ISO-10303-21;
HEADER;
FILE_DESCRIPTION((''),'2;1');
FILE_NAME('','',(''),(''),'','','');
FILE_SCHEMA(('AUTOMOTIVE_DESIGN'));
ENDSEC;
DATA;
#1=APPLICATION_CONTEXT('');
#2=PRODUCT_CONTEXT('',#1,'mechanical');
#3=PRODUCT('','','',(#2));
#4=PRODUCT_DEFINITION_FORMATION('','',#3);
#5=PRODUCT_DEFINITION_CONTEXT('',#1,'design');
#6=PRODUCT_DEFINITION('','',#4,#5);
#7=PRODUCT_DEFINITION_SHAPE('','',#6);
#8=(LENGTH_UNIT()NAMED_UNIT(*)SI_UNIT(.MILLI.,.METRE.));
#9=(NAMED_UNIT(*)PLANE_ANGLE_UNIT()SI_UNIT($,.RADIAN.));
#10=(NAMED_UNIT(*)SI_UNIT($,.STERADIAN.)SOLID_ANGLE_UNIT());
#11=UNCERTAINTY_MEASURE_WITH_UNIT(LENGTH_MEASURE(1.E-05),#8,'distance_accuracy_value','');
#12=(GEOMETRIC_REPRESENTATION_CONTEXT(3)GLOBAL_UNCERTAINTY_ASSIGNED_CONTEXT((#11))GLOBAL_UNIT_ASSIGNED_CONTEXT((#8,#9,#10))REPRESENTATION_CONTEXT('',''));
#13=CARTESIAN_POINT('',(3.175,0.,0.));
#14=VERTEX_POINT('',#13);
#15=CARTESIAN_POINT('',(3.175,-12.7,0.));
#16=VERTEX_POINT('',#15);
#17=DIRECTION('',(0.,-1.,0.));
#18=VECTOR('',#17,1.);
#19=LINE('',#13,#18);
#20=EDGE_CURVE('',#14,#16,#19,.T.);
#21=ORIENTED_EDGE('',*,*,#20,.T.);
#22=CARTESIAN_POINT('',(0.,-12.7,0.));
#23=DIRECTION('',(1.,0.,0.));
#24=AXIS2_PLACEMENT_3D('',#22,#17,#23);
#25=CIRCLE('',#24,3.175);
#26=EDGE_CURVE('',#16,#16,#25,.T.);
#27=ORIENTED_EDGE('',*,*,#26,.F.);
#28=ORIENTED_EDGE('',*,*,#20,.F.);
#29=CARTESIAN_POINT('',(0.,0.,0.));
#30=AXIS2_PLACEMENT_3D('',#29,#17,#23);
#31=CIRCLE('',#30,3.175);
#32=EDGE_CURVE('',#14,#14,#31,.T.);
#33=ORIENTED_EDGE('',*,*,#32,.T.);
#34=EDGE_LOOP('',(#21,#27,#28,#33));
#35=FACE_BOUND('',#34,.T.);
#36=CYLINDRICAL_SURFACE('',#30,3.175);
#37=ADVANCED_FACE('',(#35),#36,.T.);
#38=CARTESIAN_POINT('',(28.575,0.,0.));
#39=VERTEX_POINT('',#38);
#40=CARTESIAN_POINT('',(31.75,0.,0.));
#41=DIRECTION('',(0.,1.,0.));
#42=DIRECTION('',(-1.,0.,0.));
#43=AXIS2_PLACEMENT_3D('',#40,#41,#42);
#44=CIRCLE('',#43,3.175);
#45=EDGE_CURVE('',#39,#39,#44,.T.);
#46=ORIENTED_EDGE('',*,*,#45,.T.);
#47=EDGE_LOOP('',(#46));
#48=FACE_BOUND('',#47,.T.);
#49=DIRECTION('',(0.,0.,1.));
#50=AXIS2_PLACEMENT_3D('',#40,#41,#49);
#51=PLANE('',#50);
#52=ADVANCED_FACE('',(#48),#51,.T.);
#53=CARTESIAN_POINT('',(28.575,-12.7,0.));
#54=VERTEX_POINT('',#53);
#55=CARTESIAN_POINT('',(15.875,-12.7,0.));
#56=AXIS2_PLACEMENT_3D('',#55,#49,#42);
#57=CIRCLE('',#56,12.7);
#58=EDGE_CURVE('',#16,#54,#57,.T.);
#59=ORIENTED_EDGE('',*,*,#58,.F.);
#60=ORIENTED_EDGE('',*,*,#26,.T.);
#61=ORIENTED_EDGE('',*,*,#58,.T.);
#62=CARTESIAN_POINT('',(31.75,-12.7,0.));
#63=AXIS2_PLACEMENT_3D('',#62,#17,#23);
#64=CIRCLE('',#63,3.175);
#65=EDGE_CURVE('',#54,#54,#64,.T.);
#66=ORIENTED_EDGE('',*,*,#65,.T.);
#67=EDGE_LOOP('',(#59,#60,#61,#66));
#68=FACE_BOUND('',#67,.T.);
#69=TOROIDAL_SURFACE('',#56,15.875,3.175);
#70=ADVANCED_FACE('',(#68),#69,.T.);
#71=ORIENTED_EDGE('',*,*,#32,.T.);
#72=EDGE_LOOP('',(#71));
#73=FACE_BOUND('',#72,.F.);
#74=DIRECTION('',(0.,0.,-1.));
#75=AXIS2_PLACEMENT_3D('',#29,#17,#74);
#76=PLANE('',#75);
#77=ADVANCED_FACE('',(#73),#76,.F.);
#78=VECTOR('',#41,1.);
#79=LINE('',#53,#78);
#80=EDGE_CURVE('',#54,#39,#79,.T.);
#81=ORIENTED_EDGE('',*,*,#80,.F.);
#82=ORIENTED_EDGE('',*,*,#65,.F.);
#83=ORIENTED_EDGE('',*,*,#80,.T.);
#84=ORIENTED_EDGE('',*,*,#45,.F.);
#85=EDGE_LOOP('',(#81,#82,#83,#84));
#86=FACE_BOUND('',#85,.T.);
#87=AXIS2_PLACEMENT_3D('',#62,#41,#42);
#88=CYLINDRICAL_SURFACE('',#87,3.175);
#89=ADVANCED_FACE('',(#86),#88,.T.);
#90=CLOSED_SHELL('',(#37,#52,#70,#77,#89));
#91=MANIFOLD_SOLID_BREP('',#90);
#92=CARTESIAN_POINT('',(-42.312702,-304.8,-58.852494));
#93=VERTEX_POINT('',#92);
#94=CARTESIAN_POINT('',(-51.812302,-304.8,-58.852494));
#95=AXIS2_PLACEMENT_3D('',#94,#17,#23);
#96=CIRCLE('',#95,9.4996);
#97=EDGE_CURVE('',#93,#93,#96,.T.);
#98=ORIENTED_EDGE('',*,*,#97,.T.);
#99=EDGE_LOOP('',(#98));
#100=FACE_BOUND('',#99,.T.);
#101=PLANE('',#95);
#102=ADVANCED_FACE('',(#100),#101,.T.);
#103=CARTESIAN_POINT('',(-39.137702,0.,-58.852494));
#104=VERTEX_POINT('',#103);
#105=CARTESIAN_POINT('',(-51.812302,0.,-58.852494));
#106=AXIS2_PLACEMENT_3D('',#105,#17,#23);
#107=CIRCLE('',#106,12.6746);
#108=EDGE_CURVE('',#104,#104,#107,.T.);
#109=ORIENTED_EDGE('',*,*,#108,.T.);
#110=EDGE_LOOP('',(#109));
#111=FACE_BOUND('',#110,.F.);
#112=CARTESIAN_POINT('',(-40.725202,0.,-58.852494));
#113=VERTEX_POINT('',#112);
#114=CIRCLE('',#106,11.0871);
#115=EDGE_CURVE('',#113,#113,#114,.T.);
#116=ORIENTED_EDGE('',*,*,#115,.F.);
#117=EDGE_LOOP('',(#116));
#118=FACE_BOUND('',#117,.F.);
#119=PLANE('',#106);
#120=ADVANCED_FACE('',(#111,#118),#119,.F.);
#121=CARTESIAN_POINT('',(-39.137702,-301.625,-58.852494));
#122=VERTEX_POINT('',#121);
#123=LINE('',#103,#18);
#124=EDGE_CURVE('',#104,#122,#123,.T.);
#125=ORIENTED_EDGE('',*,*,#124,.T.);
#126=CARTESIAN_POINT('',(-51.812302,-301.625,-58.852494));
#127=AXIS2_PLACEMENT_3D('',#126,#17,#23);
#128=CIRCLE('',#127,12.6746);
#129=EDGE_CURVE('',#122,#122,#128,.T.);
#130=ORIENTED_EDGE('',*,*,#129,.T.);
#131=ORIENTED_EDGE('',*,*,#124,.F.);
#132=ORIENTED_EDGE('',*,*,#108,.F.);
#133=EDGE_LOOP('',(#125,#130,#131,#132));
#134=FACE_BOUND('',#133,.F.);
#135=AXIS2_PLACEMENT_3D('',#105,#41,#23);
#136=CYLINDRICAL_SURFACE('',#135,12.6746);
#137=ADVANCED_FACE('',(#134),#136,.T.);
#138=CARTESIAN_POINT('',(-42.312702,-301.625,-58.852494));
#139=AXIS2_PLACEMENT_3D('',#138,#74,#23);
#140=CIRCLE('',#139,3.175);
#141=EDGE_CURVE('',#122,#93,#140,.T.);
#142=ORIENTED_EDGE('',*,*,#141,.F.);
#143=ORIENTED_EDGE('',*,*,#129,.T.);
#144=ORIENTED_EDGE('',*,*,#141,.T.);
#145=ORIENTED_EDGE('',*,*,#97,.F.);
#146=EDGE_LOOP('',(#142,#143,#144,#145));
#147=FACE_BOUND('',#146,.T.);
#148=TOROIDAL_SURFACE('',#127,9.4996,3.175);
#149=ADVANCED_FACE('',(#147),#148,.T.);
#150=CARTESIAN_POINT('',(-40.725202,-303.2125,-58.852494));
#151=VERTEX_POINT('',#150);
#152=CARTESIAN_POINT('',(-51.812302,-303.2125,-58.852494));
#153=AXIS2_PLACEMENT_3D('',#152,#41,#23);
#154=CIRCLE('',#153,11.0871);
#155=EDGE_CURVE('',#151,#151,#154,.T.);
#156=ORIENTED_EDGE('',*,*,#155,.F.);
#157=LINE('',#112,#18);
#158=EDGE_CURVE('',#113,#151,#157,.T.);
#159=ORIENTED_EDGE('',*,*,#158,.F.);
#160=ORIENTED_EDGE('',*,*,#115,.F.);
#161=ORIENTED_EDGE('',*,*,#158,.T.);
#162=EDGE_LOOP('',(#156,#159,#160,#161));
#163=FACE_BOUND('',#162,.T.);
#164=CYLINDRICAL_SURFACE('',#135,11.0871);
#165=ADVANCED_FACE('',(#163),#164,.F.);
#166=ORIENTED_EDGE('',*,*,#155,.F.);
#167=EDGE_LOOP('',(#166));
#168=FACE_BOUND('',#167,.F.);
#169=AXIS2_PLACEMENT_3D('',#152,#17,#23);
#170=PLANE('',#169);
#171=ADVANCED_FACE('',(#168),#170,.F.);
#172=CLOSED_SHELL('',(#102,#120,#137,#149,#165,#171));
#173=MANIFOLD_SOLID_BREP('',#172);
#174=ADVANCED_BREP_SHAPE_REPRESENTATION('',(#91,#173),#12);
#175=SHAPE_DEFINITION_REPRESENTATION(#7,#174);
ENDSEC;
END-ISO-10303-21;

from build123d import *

# Parameters (mm, degrees)
F0_R     = 3.175
F3_R     = 12.6746
F4_DEPTH = 304.8
F5_T     = -1.5875
F6_R     = 3.175


with BuildPart() as f2:
    # F2: sweep along a path in F1
    with BuildLine(Plane.XY) as f2_path:
        Line((0, 0), (0, -12.7))
        ThreePointArc((0, -12.7), (15.875, -28.575), (31.75, -12.7))
        Line((31.75, -12.7), (31.75, 0))
    # F0 (on Front) → F2 (sweep)
    with BuildSketch(Plane.XZ):
        Circle(F0_R)
    sweep(path=f2_path.line)


with BuildPart() as f4:
    # F3 (on Front) → F4 (new body)
    with BuildSketch(Plane.XZ):
        with Locations((-51.812302, -58.852494)):
            Circle(F3_R)
    extrude(amount=F4_DEPTH)

    # F5
    f5_openings = [f4.faces().sort_by_distance(p)[0] for p in [
        (-51.812302, 0, -58.852494),
    ]]
    offset(amount=F5_T, openings=f5_openings)

    # F6
    f6_edges = [f4.edges().sort_by_distance(p)[0] for p in [
        (-64.486902, -304.8, -58.852494),
    ]]
    fillet(f6_edges, radius=F6_R)


solid = Compound([f2.part, f4.part])
